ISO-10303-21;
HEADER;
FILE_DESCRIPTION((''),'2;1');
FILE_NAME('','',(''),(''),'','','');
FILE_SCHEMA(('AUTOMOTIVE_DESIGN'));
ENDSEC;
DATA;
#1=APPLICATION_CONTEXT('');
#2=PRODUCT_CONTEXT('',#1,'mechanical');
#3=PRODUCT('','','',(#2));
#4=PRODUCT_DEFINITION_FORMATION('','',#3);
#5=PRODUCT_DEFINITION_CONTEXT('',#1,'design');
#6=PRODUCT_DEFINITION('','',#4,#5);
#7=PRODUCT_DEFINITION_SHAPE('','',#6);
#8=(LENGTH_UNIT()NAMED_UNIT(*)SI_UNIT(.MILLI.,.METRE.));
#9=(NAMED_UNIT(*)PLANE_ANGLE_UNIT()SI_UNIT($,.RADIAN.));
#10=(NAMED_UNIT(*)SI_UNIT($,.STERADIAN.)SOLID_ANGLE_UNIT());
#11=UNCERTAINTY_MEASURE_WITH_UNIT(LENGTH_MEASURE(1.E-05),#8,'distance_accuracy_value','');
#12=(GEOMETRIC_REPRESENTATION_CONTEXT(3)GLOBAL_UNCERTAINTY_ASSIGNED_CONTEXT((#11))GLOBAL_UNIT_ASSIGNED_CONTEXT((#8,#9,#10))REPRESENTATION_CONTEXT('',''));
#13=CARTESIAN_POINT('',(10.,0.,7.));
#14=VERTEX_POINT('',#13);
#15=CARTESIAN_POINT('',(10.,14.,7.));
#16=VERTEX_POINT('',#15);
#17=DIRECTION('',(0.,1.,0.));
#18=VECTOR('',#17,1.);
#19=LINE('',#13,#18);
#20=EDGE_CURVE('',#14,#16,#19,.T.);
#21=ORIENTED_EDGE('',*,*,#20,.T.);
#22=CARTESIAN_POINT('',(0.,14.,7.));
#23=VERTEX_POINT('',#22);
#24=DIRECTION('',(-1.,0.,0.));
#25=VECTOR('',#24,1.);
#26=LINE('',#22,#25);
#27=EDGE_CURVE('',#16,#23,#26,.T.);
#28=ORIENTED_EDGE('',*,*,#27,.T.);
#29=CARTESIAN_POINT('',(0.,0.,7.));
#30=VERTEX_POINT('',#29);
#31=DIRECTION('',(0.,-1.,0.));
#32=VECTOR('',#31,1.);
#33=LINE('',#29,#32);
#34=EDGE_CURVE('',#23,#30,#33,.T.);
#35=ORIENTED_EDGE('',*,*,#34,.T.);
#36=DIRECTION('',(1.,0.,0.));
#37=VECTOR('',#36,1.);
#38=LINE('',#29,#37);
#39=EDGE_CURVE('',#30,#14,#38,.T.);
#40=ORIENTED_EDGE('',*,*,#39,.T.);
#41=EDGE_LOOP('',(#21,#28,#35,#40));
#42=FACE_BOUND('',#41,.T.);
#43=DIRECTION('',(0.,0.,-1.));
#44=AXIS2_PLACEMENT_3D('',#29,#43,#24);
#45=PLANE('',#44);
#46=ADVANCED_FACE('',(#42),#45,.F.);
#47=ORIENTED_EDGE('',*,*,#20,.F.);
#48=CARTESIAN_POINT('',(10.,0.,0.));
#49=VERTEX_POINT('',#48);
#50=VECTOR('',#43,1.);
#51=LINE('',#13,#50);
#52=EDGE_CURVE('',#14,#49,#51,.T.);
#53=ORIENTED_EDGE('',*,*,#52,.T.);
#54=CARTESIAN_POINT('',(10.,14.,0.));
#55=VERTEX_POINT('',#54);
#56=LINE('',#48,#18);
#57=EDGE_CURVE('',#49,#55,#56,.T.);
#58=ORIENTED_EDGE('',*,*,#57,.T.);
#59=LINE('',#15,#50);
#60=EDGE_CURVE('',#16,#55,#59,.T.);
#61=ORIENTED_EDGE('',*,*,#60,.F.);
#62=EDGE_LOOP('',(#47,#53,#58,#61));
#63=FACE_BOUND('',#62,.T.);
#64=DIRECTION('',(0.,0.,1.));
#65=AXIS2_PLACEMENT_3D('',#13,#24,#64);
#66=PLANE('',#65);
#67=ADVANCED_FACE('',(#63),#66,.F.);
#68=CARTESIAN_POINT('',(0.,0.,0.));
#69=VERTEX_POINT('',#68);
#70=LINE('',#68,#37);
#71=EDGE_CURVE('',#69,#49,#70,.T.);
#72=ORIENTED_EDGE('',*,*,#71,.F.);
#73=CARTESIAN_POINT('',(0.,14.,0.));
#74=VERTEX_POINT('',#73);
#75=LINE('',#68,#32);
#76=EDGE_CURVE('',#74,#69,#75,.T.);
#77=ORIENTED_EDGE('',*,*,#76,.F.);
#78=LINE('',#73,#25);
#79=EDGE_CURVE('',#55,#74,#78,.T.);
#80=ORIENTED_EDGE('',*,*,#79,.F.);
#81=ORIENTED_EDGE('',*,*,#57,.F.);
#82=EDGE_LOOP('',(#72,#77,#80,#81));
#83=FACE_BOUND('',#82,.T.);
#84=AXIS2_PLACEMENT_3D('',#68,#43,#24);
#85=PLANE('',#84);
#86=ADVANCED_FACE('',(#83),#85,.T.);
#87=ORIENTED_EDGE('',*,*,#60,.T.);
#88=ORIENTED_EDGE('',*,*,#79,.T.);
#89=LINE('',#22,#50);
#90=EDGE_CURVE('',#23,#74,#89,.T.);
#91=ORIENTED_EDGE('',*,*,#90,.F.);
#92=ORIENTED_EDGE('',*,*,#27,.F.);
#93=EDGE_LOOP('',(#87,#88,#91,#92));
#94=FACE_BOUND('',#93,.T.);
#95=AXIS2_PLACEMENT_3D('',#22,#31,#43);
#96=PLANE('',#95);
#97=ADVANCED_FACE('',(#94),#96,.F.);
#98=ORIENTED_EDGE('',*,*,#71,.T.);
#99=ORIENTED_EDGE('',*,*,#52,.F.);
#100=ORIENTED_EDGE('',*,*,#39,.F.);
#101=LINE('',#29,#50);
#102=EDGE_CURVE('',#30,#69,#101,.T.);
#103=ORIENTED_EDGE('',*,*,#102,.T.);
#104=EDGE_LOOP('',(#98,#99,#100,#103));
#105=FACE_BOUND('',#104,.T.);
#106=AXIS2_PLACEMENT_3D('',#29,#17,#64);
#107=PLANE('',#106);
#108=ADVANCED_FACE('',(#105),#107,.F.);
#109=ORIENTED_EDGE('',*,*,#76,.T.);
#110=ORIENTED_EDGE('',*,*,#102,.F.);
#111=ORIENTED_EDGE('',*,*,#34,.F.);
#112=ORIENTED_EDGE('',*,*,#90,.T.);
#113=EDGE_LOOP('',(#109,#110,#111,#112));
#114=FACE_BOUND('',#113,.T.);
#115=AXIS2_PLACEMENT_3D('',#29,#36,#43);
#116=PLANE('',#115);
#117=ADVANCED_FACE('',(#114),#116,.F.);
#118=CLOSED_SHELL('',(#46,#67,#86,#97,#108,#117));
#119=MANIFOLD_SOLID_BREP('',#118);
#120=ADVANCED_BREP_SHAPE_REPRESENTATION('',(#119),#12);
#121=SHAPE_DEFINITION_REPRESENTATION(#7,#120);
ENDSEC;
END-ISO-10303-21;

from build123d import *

# Parameters (mm, degrees)
SKETCH1_W     = 10
SKETCH1_H     = 14
PROFILE_DEPTH = 7


with BuildPart() as part:
    # Sketch1 → Profile (new body)
    with BuildSketch(Plane.XY):
        with Locations((5, 7)):
            Rectangle(SKETCH1_W, SKETCH1_H)
    extrude(amount=PROFILE_DEPTH)


solid = part.part
